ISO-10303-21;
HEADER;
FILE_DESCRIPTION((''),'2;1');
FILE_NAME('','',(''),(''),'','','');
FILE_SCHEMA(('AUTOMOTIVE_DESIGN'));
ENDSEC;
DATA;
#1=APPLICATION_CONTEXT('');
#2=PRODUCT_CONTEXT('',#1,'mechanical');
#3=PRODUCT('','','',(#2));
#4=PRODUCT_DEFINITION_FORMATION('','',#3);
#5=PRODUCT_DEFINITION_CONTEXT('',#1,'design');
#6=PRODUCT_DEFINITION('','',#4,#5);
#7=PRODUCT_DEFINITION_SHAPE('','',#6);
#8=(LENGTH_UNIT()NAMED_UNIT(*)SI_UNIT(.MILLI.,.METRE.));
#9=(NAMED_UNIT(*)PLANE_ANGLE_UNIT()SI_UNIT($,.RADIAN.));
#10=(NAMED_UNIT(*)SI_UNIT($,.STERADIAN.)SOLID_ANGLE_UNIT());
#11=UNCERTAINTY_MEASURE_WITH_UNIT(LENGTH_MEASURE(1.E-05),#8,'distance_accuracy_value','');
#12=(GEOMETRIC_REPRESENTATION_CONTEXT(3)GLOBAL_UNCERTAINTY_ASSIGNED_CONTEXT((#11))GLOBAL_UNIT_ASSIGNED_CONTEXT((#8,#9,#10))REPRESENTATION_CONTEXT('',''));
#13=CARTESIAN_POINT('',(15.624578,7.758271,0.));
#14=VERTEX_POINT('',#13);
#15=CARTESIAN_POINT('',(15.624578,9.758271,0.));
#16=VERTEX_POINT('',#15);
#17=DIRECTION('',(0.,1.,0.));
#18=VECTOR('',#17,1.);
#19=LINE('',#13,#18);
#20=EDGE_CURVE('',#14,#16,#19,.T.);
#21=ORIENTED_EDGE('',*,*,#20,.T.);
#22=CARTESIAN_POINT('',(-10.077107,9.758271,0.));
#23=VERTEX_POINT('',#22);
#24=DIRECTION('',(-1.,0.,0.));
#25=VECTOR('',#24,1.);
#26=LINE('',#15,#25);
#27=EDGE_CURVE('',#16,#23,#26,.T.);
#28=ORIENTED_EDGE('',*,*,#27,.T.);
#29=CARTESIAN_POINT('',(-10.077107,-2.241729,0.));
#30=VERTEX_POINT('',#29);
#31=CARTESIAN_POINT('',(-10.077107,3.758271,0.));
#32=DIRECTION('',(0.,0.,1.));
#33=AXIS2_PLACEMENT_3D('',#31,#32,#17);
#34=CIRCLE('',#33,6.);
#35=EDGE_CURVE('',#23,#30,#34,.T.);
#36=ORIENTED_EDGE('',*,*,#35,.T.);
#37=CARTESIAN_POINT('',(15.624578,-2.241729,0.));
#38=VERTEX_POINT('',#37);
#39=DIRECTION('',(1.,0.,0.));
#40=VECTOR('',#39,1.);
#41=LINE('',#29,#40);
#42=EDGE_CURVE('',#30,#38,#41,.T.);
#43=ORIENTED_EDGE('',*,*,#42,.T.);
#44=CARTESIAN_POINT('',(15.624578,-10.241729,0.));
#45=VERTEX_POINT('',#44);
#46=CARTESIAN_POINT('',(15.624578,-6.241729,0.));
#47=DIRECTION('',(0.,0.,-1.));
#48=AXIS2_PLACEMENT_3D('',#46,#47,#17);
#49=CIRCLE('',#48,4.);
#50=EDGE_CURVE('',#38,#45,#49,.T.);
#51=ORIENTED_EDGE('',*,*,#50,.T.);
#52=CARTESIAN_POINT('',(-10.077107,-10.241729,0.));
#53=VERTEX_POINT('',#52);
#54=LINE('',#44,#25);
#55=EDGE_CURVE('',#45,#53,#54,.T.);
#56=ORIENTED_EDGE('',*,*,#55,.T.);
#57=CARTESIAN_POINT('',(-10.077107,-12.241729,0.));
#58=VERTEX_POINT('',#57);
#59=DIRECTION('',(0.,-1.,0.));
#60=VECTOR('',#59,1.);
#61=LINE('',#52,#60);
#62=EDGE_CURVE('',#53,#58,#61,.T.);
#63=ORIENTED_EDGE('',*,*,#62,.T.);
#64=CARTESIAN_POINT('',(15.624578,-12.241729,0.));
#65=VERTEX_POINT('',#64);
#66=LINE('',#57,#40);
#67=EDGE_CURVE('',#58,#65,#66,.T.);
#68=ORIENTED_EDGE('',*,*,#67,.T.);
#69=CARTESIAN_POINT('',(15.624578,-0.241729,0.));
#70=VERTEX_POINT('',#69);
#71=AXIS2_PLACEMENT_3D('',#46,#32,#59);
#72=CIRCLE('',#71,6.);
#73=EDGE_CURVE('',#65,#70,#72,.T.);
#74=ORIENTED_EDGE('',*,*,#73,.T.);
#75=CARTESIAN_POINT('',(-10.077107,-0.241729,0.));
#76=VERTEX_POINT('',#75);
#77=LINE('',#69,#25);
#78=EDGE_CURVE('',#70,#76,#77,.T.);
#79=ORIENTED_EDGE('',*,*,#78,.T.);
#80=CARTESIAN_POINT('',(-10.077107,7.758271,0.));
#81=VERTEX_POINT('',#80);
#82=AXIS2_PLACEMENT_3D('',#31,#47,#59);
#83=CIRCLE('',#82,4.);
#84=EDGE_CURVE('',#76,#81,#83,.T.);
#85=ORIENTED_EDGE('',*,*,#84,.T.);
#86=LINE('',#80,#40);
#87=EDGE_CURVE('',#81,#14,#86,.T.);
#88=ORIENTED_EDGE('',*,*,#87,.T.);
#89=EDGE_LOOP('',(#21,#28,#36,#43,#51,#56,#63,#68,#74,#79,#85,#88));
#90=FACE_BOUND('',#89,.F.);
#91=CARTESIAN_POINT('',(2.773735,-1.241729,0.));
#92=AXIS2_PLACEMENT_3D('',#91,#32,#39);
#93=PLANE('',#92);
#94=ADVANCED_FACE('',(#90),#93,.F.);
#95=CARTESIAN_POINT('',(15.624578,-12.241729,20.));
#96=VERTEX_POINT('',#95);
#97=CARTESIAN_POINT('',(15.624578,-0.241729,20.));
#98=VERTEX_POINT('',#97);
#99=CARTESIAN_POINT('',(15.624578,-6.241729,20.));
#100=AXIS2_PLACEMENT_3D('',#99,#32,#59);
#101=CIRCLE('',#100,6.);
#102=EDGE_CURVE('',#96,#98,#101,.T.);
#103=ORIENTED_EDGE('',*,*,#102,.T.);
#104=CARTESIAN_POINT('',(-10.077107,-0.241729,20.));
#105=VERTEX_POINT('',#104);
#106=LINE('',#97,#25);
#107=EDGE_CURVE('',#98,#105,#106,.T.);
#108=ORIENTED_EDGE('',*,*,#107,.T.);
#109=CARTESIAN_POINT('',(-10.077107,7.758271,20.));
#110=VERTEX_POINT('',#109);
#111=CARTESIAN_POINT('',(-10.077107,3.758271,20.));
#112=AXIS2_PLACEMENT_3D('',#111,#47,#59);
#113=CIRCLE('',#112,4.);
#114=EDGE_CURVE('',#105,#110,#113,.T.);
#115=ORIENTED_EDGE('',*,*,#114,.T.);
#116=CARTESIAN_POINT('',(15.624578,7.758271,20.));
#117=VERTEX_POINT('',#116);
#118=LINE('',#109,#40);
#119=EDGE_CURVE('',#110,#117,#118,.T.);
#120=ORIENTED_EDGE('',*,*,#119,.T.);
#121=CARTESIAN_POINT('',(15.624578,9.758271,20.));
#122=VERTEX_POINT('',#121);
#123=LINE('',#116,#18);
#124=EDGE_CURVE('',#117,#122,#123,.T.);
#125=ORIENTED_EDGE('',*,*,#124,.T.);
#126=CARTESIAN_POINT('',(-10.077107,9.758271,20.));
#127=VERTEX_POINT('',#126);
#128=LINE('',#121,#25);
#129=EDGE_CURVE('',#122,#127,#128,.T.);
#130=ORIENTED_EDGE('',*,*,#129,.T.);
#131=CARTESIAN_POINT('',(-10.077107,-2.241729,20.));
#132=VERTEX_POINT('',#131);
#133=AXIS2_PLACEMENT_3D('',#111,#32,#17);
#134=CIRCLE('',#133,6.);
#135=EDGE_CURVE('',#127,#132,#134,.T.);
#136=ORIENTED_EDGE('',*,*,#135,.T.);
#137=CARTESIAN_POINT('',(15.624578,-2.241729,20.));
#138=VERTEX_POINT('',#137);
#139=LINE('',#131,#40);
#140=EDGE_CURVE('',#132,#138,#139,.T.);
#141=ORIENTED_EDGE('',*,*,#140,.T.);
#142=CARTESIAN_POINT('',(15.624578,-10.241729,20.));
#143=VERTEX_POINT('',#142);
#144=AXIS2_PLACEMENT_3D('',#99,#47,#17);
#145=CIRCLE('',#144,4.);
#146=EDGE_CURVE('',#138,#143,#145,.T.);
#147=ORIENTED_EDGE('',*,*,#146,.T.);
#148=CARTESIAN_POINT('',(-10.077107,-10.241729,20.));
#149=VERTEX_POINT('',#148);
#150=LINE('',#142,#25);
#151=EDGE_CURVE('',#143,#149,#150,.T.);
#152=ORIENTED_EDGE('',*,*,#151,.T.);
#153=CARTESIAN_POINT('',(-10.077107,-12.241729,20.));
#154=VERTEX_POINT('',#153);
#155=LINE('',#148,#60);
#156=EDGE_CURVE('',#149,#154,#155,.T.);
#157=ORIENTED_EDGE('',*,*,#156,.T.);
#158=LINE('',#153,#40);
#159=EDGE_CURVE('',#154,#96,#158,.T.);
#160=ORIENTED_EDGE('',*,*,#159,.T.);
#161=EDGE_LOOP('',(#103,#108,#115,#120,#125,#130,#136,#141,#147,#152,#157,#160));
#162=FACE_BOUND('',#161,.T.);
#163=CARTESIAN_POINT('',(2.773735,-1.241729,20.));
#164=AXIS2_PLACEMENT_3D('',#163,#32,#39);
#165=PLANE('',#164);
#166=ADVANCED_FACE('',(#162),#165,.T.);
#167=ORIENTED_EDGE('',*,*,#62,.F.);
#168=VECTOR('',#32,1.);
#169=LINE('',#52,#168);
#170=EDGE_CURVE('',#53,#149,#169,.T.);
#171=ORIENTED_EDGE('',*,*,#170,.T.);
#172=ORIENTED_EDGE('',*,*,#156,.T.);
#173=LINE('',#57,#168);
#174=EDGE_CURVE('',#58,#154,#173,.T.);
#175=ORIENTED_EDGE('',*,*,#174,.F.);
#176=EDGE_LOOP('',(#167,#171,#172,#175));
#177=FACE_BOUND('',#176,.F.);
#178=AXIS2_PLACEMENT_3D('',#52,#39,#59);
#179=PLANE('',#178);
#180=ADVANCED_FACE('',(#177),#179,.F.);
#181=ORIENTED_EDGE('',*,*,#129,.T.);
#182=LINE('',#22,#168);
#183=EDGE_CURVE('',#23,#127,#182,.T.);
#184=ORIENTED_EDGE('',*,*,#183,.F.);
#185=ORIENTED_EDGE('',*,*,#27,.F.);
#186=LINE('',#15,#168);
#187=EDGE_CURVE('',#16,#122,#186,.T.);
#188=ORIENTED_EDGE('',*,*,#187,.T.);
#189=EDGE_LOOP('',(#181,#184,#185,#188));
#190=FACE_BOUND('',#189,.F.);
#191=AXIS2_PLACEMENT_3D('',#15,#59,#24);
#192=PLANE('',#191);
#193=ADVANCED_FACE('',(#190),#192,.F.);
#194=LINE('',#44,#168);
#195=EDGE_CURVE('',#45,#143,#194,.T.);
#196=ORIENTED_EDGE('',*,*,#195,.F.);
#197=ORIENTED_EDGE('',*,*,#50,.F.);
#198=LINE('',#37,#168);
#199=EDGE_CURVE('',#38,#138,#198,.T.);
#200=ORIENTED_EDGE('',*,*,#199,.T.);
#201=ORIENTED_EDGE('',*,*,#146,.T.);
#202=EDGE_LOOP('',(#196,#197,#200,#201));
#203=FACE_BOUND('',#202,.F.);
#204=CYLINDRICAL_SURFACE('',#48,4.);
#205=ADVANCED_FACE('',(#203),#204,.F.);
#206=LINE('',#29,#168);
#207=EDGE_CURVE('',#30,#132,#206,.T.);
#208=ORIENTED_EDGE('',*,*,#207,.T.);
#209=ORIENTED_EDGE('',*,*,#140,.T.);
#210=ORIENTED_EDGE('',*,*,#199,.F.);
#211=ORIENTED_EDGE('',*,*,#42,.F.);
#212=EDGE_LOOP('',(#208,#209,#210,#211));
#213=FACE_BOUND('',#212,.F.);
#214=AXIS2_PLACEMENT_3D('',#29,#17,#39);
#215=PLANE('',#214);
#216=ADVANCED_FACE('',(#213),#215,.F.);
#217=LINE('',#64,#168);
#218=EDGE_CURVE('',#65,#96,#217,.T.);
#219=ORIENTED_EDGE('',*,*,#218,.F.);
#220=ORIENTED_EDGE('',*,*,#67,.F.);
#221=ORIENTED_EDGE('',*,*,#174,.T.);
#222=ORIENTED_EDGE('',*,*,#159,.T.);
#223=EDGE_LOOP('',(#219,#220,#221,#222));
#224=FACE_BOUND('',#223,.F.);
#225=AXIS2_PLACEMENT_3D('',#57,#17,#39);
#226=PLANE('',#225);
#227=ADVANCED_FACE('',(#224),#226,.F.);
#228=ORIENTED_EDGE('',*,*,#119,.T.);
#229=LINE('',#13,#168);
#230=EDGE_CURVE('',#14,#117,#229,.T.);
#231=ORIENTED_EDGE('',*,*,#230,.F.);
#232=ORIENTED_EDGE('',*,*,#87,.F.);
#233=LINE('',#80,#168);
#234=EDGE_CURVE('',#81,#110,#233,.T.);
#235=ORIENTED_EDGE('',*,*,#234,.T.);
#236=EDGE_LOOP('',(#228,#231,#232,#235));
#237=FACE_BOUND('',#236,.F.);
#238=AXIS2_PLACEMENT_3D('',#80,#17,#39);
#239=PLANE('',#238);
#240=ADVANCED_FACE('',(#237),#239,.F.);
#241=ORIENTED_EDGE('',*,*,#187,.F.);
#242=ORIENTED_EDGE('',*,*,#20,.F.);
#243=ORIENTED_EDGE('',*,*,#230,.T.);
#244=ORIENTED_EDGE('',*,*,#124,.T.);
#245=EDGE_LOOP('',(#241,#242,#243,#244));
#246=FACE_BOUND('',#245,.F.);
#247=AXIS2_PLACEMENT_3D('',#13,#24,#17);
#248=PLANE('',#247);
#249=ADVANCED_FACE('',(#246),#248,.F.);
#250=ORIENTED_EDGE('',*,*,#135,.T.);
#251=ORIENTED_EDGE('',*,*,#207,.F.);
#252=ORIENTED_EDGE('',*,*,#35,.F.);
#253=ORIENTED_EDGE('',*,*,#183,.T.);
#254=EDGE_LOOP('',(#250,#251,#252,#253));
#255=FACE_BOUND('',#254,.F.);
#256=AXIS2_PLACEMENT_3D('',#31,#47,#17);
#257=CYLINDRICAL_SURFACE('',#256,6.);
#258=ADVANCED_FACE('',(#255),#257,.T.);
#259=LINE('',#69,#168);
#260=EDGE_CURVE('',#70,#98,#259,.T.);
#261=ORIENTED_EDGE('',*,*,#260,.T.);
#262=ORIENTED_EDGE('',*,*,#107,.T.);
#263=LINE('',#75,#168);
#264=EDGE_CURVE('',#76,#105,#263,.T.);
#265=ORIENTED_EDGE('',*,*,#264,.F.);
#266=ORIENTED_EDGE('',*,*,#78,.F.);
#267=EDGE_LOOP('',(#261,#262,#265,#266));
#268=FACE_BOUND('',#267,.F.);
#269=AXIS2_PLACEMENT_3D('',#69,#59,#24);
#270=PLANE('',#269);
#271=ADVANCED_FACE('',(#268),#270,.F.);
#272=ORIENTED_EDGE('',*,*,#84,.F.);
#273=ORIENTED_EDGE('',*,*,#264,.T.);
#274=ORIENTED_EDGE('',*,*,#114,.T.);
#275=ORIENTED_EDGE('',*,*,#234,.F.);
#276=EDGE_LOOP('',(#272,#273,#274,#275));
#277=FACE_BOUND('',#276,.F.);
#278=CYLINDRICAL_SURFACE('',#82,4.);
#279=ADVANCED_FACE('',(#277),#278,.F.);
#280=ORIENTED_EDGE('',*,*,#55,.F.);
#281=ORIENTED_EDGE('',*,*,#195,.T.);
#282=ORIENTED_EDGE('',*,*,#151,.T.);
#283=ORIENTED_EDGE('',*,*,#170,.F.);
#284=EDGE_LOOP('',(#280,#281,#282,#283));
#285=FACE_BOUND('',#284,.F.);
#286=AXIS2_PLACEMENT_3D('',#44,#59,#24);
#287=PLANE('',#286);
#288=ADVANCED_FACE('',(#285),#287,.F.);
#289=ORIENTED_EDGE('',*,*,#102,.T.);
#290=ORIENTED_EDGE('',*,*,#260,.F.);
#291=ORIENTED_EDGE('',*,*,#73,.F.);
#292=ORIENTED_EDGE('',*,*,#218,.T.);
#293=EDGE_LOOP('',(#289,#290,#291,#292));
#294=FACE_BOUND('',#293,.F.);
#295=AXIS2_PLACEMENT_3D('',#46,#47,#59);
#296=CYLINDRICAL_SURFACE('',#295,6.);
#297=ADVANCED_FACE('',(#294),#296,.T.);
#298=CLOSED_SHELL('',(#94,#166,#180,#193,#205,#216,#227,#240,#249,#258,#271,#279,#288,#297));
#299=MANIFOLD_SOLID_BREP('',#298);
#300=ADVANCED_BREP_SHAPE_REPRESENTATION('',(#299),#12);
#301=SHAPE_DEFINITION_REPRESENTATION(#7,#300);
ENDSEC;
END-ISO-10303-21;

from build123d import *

# Parameters (mm, degrees)
F1_DEPTH = 20


with BuildPart() as f1:
    # F0 (on Top) → F1 (new body)
    with BuildSketch(Plane.XY):
        with BuildLine():
            ThreePointArc((-10.077107, -0.241729), (-14.077107, 3.758271), (-10.077107, 7.758271))
            Line((-10.077107, 7.758271), (15.624578, 7.758271))
            Line((15.624578, 7.758271), (15.624578, 9.758271))
            Line((15.624578, 9.758271), (-10.077107, 9.758271))
            ThreePointArc((-10.077107, 9.758271), (-16.077107, 3.758271), (-10.077107, -2.241729))
            Line((-10.077107, -2.241729), (15.624578, -2.241729))
            ThreePointArc((15.624578, -2.241729), (19.624578, -6.241729), (15.624578, -10.241729))
            Line((15.624578, -10.241729), (-10.077107, -10.241729))
            Line((-10.077107, -10.241729), (-10.077107, -12.241729))
            Line((-10.077107, -12.241729), (15.624578, -12.241729))
            ThreePointArc((15.624578, -12.241729), (21.624578, -6.241729), (15.624578, -0.241729))
            Line((15.624578, -0.241729), (-10.077107, -0.241729))
        make_face()
    extrude(amount=F1_DEPTH)


solid = f1.part
